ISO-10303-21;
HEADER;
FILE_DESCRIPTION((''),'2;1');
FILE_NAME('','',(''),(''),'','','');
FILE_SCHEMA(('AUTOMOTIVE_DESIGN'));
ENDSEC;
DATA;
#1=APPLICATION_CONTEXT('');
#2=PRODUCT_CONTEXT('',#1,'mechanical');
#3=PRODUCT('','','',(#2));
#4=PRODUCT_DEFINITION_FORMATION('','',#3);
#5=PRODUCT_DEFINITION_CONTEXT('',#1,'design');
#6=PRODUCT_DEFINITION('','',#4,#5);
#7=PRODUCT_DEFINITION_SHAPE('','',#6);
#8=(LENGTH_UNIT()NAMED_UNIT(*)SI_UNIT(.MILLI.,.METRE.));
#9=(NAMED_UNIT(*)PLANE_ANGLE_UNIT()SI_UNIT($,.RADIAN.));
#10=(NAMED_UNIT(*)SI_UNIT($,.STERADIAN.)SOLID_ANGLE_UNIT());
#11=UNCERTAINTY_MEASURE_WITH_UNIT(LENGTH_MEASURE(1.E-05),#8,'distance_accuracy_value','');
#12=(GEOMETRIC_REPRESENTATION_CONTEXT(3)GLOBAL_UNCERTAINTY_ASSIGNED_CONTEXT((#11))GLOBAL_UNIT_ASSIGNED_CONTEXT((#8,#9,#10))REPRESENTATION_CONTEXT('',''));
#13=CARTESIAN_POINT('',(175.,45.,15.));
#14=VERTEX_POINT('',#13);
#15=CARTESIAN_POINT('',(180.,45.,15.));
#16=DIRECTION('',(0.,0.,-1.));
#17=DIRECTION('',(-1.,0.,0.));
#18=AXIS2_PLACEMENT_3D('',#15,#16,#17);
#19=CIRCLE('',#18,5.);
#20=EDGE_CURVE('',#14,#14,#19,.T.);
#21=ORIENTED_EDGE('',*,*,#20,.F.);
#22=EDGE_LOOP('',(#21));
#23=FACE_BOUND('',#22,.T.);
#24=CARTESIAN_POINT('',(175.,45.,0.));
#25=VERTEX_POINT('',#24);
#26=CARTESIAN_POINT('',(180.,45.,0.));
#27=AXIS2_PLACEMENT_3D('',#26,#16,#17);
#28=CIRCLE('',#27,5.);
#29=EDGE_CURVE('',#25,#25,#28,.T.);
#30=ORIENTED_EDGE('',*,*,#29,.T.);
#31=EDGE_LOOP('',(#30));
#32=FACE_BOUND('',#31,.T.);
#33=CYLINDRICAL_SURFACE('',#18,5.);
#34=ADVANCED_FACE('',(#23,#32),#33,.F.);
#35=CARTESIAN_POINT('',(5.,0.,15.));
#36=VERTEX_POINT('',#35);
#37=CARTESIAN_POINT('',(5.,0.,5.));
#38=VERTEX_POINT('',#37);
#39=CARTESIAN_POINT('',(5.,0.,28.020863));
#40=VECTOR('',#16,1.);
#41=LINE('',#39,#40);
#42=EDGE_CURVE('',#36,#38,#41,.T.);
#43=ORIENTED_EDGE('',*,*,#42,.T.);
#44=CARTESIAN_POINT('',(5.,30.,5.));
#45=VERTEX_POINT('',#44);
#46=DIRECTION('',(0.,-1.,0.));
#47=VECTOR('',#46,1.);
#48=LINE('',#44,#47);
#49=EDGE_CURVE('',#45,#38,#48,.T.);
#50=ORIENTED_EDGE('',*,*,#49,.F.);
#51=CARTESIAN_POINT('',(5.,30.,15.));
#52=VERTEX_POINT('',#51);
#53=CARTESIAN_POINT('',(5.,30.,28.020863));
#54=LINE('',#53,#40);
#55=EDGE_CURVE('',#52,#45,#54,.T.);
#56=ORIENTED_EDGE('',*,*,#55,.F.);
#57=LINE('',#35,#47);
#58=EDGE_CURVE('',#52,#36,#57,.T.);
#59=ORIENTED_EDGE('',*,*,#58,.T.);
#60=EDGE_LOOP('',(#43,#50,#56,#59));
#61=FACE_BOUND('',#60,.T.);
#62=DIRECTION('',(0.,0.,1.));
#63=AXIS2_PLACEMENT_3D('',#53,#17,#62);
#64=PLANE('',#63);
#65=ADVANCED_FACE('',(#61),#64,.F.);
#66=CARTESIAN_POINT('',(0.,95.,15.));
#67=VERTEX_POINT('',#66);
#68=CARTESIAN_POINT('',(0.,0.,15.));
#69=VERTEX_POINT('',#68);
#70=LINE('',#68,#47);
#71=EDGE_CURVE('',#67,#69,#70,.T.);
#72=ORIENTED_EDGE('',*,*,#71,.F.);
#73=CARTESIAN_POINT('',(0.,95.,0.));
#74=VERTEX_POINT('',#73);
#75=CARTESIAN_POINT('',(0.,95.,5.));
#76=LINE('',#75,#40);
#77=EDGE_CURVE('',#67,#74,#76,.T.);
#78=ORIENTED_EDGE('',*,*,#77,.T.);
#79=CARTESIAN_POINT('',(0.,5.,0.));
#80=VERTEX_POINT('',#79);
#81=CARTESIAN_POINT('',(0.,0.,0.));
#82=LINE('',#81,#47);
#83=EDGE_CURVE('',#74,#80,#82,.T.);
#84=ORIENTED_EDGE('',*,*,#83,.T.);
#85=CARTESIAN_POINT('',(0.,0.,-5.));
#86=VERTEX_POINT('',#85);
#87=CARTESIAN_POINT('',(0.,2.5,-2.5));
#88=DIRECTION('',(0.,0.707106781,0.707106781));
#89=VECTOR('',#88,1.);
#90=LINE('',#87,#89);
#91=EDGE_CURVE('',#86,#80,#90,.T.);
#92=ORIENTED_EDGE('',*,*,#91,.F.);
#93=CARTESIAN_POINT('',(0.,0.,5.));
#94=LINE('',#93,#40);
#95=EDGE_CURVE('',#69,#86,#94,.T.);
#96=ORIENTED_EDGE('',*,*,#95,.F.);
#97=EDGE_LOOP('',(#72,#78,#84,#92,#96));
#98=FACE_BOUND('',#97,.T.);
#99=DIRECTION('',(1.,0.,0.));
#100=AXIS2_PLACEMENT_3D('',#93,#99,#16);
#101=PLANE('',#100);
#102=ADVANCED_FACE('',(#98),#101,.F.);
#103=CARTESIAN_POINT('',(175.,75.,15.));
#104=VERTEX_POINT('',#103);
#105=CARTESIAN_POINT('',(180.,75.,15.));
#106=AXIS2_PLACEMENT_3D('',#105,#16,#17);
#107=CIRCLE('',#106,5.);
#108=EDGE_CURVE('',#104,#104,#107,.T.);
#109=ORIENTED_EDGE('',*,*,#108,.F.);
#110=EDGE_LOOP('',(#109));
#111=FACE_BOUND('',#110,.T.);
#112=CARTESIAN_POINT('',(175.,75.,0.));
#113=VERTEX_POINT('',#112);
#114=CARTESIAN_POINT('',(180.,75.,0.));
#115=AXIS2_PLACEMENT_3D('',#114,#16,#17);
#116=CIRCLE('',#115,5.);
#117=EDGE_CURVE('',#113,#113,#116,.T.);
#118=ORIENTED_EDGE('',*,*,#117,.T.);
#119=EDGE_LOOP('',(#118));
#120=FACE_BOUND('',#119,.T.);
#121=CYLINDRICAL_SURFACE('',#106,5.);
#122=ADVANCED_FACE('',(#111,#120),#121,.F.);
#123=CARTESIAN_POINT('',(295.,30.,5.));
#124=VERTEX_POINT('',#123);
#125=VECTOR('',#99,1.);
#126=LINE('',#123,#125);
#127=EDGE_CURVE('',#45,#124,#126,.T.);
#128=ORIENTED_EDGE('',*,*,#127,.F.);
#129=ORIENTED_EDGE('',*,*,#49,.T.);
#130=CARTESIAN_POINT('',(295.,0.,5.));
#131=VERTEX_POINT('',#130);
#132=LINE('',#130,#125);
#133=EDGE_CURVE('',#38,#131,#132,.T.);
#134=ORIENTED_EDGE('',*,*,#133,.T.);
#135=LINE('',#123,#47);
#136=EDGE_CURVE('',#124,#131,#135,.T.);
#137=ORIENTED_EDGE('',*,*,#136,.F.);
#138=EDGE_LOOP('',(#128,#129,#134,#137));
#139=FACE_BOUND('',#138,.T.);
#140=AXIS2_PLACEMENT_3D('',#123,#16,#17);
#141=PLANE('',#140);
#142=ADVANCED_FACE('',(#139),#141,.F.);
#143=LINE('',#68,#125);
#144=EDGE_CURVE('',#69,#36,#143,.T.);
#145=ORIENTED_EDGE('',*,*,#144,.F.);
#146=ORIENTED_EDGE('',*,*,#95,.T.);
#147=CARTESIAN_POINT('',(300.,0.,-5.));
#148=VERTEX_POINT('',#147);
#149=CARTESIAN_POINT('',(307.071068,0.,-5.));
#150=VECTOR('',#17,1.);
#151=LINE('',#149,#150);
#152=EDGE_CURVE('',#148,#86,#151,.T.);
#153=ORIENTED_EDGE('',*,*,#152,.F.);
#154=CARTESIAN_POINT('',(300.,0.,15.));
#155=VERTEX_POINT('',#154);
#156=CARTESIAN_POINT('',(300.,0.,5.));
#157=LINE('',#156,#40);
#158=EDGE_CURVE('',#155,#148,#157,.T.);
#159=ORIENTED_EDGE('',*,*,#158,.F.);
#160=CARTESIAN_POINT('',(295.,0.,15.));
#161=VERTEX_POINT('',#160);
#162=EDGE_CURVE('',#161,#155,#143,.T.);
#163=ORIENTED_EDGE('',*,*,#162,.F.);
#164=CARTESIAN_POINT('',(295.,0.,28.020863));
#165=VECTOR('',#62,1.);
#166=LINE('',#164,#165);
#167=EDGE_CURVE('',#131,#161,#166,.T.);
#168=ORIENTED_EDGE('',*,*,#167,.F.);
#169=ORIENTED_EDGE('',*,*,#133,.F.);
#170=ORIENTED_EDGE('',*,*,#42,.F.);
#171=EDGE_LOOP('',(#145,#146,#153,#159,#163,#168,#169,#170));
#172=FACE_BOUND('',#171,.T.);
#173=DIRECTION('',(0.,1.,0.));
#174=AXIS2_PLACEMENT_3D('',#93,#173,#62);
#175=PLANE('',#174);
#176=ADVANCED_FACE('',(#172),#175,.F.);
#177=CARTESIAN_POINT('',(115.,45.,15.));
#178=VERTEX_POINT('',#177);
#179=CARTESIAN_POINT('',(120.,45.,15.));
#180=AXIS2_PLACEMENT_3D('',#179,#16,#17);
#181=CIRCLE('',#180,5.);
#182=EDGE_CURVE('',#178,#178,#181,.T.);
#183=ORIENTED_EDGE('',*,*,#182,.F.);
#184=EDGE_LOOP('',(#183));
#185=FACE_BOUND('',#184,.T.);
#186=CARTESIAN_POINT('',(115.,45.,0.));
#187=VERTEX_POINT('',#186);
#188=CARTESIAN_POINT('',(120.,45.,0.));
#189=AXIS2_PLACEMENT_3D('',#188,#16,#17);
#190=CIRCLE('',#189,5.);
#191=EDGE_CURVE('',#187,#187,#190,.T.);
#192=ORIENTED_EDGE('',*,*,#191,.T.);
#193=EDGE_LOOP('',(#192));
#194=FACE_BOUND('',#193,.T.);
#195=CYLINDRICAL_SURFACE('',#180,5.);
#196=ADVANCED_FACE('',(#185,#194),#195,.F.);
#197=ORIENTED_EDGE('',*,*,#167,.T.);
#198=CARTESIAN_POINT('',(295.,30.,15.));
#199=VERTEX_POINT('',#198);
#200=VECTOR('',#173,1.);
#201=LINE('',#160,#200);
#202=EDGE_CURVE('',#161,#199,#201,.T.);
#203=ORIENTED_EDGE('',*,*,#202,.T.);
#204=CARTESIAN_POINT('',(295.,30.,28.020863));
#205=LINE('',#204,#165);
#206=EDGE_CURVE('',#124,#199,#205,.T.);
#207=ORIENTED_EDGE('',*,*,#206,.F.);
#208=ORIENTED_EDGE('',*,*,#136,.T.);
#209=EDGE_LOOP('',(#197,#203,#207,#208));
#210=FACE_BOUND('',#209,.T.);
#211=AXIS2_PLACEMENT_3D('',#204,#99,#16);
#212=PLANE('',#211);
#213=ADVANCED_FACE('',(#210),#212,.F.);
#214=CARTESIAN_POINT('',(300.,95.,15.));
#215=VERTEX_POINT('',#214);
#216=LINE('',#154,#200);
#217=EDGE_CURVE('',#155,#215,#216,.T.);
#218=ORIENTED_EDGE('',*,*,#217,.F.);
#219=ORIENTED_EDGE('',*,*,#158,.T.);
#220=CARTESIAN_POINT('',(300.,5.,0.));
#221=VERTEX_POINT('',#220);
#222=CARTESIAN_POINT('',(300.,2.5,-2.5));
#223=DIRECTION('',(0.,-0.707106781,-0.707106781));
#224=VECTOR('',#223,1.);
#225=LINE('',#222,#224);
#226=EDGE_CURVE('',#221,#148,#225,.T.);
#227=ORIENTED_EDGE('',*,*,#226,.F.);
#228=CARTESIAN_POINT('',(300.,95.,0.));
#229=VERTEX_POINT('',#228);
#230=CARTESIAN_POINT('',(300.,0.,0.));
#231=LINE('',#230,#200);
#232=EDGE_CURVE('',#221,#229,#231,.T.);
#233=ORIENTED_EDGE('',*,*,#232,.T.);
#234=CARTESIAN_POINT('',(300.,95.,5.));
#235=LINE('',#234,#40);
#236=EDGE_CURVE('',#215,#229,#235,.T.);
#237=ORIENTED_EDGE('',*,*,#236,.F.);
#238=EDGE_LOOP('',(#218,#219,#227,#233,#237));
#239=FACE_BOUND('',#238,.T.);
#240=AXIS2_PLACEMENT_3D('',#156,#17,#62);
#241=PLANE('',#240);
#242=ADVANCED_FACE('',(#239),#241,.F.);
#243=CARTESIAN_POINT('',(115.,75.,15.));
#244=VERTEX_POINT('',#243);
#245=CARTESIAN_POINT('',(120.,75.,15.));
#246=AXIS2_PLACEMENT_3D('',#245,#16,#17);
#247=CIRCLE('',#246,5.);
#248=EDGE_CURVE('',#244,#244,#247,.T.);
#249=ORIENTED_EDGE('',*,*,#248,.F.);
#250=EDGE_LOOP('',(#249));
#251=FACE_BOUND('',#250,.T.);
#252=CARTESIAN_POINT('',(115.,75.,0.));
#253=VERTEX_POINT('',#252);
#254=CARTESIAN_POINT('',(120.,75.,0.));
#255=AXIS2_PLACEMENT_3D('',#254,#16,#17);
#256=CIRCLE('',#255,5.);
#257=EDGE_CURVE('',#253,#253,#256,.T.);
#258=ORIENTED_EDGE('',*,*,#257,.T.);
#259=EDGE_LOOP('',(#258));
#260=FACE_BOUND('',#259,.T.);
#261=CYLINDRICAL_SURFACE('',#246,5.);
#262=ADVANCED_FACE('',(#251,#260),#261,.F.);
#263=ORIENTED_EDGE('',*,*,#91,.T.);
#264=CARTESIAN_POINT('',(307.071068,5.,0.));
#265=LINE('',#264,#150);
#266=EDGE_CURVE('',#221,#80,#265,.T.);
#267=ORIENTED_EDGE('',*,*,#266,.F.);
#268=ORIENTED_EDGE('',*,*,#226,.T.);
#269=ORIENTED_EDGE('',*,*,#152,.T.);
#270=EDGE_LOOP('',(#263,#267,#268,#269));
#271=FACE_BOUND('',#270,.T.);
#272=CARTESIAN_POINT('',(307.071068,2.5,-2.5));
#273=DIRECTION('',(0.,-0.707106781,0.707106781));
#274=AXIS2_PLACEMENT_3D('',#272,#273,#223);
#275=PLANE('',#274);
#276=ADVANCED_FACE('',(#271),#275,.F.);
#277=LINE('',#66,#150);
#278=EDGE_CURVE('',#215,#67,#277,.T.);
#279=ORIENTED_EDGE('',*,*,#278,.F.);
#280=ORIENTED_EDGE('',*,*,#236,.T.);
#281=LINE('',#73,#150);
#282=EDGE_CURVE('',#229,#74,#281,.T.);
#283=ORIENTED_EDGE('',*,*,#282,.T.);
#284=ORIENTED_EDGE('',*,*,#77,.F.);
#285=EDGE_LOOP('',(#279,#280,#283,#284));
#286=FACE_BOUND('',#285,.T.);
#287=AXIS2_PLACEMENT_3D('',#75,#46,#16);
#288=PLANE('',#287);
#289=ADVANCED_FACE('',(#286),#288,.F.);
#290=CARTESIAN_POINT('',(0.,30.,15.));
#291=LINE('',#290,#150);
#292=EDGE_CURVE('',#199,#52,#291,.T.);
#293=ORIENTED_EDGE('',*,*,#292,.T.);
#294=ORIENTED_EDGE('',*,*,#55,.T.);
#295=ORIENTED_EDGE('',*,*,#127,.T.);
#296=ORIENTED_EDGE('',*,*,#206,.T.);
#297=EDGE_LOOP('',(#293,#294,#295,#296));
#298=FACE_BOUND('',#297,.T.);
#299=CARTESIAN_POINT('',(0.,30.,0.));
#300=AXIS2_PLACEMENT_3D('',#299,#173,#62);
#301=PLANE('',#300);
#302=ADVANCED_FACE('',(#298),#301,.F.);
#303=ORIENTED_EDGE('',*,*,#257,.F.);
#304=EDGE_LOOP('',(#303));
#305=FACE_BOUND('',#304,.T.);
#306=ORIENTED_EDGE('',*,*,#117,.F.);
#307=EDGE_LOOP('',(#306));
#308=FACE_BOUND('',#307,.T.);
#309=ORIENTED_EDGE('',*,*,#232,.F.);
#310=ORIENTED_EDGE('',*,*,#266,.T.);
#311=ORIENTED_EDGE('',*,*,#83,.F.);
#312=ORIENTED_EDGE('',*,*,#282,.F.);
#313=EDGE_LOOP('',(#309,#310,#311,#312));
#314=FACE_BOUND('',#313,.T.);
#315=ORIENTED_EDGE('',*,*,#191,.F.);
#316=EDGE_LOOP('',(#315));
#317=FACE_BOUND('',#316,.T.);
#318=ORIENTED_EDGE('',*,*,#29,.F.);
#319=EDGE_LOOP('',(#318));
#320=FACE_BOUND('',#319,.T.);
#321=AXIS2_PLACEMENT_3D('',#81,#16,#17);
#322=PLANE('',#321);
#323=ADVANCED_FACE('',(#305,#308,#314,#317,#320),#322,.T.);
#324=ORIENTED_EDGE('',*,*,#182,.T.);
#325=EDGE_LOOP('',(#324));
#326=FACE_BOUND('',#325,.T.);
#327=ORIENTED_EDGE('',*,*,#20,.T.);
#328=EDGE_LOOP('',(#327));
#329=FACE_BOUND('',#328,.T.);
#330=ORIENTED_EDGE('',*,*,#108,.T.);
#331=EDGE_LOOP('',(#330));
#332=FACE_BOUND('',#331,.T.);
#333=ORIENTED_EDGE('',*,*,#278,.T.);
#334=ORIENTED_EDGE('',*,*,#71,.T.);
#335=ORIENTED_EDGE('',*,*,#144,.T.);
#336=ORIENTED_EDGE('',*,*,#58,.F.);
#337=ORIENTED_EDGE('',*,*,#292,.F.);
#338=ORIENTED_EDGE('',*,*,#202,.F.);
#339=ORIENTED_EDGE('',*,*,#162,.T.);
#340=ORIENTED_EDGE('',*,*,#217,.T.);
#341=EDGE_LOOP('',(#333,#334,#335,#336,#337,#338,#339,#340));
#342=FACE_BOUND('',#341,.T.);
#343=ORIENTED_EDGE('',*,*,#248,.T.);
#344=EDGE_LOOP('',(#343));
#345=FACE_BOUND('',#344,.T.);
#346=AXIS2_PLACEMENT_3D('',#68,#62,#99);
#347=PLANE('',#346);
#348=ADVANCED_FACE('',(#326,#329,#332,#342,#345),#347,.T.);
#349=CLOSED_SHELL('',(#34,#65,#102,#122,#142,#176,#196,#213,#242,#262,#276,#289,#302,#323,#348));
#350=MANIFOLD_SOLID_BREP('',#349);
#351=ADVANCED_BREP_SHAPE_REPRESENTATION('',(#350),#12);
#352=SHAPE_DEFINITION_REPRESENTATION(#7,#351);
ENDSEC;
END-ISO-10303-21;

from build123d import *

# Parameters (mm, degrees)
ESQUISSE1_W             = 300
ESQUISSE1_H             = 95
BOSS_EXTRU_1_DEPTH      = 5
BOSS_EXTRU_2_DEPTH      = 300
BOSS_EXTRU_3_DEPTH      = 10
ESQUISSE6_R             = 5
ENL_V_MAT_EXTRU_2_DEPTH = 16
ESQUISSE7_W             = 290
ESQUISSE7_H             = 23.020862504
ENL_V_MAT_EXTRU_3_DEPTH = 30


with BuildPart() as part:
    # Esquisse1 → Boss.-Extru.1 (new body)
    with BuildSketch(Plane.XY):
        with Locations((150, 47.5)):
            Rectangle(ESQUISSE1_W, ESQUISSE1_H)
    extrude(amount=BOSS_EXTRU_1_DEPTH)

    # Esquisse3 → Boss.-Extru.2 (add)
    with BuildSketch(Plane.ZY):
        Polygon((-5, 0), (0, 0), (0, 5), align=None)
    extrude(amount=-BOSS_EXTRU_2_DEPTH)

    # Esquisse5 → Boss.-Extru.3 (add)
    with BuildSketch(Plane.XY.offset(5)):
        Polygon((195, 95), (105, 95), (0, 95), (0, 30), (0, 0), (300, 0), (300, 30), (300, 95), align=None)
    extrude(amount=BOSS_EXTRU_3_DEPTH)

    # Esquisse6 → Enlèv. mat.-Extru.2 (cut, through all)
    with BuildSketch(Plane(origin=(0, 0, 0), x_dir=(-1, 0, 0), z_dir=(0, 0, -1))):
        with Locations((-180, 75)):
            Circle(ESQUISSE6_R)
        with Locations((-180, 45)):
            Circle(ESQUISSE6_R)
        with Locations((-120, 45)):
            Circle(ESQUISSE6_R)
        with Locations((-120, 75)):
            Circle(ESQUISSE6_R)
    extrude(amount=-ENL_V_MAT_EXTRU_2_DEPTH, mode=Mode.SUBTRACT)

    # Esquisse7 → Enlèv. mat.-Extru.3 (cut)
    with BuildSketch(Plane.XZ):
        with Locations((150, 16.510431252)):
            Rectangle(ESQUISSE7_W, ESQUISSE7_H)
    extrude(amount=-ENL_V_MAT_EXTRU_3_DEPTH, mode=Mode.SUBTRACT)


solid = part.part
